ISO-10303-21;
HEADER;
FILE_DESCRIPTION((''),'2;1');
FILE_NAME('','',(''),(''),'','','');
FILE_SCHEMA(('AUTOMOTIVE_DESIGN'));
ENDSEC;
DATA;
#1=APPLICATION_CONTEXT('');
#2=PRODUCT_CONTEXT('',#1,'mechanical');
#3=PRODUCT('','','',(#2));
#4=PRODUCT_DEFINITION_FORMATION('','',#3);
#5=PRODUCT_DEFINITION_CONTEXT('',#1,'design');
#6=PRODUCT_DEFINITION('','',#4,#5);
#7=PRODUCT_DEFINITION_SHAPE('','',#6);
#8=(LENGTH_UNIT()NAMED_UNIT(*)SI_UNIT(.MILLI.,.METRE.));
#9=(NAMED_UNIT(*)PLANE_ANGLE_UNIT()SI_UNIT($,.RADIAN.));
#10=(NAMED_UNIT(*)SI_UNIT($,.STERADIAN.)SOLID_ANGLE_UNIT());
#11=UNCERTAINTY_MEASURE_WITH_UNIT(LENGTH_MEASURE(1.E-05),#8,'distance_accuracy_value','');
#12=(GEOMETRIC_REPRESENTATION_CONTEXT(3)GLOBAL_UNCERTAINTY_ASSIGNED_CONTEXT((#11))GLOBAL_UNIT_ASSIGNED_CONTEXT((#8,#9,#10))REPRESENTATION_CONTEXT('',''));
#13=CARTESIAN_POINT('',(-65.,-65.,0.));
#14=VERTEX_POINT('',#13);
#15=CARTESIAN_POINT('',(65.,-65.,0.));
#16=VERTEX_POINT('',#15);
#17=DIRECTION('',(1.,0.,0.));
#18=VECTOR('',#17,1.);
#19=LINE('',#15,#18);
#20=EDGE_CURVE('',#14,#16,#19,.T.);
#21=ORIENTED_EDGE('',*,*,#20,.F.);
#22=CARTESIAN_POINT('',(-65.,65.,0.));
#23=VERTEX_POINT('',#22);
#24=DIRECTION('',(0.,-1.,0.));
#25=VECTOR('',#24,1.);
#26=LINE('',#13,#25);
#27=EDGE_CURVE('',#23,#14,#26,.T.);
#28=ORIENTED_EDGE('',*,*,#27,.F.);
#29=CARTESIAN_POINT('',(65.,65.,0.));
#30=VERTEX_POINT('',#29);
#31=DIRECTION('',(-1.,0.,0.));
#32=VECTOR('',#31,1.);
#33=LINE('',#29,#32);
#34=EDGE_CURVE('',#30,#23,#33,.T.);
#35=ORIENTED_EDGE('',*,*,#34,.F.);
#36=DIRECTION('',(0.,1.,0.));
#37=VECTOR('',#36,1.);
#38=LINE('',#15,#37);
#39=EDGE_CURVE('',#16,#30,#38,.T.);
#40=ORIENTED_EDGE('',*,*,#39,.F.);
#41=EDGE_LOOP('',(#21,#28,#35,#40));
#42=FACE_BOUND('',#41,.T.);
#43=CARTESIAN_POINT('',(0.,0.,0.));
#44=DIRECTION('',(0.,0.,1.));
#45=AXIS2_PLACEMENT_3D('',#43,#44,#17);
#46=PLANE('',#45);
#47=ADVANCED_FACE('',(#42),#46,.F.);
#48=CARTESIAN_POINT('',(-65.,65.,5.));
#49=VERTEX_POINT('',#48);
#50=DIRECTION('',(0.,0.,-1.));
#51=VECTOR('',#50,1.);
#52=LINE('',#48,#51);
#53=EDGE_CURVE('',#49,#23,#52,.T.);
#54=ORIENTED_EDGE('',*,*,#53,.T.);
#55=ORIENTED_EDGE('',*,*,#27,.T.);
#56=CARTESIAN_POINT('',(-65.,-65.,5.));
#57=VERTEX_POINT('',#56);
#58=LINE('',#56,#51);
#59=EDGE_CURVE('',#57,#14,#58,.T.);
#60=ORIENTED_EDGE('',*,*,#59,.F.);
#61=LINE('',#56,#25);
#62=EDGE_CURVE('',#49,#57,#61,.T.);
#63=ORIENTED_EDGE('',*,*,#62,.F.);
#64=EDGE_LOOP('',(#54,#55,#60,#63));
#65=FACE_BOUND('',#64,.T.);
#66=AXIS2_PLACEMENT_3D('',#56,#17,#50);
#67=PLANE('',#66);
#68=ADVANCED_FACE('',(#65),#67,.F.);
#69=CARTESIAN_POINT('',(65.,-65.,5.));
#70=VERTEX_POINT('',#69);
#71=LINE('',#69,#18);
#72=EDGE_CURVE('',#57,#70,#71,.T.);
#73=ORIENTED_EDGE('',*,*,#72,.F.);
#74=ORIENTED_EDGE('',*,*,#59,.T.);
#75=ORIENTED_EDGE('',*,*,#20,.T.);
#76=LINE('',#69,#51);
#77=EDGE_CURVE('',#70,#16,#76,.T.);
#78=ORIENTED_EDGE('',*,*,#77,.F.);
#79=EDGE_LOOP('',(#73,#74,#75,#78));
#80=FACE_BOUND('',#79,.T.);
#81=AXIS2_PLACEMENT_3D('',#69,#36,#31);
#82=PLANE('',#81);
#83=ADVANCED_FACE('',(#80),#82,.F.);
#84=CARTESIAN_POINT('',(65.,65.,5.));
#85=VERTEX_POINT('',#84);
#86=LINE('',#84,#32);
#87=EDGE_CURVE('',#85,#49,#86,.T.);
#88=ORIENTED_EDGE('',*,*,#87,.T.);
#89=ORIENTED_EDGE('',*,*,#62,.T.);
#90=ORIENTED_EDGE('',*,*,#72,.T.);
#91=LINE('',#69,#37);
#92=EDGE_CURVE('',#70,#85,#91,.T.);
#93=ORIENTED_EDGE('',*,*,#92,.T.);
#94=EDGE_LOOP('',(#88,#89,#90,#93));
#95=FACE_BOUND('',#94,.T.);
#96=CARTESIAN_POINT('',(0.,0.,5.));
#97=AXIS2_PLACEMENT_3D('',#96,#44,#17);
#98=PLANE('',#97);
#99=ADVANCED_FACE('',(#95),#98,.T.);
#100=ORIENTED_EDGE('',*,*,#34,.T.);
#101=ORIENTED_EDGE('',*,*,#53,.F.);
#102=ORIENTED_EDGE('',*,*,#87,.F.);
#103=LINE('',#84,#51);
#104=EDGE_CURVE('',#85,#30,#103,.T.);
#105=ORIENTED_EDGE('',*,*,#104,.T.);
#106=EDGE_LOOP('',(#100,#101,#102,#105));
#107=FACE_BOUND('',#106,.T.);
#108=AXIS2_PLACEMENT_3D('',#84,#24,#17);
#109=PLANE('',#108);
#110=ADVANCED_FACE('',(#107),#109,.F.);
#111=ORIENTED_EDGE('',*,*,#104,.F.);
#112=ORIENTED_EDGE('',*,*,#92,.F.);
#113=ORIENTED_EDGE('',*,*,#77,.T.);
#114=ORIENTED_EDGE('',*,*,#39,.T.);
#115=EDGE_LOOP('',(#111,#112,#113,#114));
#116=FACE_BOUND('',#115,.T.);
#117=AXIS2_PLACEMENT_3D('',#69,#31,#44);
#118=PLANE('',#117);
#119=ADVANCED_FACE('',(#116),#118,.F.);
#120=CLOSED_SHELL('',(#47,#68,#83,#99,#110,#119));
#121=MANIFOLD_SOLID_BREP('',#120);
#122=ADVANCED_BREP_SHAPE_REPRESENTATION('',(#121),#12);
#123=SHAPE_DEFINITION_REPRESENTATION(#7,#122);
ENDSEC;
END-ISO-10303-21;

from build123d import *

# Parameters (mm, degrees)
SCHIZZO3_W                   = 130
SCHIZZO3_H                   = 130
ESTRUSIONE_ESTRUSIONE2_DEPTH = 5


with BuildPart() as part:
    # Schizzo3 → Estrusione-Estrusione2 (new body)
    with BuildSketch(Plane.XY):
        Rectangle(SCHIZZO3_W, SCHIZZO3_H)
    extrude(amount=ESTRUSIONE_ESTRUSIONE2_DEPTH)


solid = part.part
